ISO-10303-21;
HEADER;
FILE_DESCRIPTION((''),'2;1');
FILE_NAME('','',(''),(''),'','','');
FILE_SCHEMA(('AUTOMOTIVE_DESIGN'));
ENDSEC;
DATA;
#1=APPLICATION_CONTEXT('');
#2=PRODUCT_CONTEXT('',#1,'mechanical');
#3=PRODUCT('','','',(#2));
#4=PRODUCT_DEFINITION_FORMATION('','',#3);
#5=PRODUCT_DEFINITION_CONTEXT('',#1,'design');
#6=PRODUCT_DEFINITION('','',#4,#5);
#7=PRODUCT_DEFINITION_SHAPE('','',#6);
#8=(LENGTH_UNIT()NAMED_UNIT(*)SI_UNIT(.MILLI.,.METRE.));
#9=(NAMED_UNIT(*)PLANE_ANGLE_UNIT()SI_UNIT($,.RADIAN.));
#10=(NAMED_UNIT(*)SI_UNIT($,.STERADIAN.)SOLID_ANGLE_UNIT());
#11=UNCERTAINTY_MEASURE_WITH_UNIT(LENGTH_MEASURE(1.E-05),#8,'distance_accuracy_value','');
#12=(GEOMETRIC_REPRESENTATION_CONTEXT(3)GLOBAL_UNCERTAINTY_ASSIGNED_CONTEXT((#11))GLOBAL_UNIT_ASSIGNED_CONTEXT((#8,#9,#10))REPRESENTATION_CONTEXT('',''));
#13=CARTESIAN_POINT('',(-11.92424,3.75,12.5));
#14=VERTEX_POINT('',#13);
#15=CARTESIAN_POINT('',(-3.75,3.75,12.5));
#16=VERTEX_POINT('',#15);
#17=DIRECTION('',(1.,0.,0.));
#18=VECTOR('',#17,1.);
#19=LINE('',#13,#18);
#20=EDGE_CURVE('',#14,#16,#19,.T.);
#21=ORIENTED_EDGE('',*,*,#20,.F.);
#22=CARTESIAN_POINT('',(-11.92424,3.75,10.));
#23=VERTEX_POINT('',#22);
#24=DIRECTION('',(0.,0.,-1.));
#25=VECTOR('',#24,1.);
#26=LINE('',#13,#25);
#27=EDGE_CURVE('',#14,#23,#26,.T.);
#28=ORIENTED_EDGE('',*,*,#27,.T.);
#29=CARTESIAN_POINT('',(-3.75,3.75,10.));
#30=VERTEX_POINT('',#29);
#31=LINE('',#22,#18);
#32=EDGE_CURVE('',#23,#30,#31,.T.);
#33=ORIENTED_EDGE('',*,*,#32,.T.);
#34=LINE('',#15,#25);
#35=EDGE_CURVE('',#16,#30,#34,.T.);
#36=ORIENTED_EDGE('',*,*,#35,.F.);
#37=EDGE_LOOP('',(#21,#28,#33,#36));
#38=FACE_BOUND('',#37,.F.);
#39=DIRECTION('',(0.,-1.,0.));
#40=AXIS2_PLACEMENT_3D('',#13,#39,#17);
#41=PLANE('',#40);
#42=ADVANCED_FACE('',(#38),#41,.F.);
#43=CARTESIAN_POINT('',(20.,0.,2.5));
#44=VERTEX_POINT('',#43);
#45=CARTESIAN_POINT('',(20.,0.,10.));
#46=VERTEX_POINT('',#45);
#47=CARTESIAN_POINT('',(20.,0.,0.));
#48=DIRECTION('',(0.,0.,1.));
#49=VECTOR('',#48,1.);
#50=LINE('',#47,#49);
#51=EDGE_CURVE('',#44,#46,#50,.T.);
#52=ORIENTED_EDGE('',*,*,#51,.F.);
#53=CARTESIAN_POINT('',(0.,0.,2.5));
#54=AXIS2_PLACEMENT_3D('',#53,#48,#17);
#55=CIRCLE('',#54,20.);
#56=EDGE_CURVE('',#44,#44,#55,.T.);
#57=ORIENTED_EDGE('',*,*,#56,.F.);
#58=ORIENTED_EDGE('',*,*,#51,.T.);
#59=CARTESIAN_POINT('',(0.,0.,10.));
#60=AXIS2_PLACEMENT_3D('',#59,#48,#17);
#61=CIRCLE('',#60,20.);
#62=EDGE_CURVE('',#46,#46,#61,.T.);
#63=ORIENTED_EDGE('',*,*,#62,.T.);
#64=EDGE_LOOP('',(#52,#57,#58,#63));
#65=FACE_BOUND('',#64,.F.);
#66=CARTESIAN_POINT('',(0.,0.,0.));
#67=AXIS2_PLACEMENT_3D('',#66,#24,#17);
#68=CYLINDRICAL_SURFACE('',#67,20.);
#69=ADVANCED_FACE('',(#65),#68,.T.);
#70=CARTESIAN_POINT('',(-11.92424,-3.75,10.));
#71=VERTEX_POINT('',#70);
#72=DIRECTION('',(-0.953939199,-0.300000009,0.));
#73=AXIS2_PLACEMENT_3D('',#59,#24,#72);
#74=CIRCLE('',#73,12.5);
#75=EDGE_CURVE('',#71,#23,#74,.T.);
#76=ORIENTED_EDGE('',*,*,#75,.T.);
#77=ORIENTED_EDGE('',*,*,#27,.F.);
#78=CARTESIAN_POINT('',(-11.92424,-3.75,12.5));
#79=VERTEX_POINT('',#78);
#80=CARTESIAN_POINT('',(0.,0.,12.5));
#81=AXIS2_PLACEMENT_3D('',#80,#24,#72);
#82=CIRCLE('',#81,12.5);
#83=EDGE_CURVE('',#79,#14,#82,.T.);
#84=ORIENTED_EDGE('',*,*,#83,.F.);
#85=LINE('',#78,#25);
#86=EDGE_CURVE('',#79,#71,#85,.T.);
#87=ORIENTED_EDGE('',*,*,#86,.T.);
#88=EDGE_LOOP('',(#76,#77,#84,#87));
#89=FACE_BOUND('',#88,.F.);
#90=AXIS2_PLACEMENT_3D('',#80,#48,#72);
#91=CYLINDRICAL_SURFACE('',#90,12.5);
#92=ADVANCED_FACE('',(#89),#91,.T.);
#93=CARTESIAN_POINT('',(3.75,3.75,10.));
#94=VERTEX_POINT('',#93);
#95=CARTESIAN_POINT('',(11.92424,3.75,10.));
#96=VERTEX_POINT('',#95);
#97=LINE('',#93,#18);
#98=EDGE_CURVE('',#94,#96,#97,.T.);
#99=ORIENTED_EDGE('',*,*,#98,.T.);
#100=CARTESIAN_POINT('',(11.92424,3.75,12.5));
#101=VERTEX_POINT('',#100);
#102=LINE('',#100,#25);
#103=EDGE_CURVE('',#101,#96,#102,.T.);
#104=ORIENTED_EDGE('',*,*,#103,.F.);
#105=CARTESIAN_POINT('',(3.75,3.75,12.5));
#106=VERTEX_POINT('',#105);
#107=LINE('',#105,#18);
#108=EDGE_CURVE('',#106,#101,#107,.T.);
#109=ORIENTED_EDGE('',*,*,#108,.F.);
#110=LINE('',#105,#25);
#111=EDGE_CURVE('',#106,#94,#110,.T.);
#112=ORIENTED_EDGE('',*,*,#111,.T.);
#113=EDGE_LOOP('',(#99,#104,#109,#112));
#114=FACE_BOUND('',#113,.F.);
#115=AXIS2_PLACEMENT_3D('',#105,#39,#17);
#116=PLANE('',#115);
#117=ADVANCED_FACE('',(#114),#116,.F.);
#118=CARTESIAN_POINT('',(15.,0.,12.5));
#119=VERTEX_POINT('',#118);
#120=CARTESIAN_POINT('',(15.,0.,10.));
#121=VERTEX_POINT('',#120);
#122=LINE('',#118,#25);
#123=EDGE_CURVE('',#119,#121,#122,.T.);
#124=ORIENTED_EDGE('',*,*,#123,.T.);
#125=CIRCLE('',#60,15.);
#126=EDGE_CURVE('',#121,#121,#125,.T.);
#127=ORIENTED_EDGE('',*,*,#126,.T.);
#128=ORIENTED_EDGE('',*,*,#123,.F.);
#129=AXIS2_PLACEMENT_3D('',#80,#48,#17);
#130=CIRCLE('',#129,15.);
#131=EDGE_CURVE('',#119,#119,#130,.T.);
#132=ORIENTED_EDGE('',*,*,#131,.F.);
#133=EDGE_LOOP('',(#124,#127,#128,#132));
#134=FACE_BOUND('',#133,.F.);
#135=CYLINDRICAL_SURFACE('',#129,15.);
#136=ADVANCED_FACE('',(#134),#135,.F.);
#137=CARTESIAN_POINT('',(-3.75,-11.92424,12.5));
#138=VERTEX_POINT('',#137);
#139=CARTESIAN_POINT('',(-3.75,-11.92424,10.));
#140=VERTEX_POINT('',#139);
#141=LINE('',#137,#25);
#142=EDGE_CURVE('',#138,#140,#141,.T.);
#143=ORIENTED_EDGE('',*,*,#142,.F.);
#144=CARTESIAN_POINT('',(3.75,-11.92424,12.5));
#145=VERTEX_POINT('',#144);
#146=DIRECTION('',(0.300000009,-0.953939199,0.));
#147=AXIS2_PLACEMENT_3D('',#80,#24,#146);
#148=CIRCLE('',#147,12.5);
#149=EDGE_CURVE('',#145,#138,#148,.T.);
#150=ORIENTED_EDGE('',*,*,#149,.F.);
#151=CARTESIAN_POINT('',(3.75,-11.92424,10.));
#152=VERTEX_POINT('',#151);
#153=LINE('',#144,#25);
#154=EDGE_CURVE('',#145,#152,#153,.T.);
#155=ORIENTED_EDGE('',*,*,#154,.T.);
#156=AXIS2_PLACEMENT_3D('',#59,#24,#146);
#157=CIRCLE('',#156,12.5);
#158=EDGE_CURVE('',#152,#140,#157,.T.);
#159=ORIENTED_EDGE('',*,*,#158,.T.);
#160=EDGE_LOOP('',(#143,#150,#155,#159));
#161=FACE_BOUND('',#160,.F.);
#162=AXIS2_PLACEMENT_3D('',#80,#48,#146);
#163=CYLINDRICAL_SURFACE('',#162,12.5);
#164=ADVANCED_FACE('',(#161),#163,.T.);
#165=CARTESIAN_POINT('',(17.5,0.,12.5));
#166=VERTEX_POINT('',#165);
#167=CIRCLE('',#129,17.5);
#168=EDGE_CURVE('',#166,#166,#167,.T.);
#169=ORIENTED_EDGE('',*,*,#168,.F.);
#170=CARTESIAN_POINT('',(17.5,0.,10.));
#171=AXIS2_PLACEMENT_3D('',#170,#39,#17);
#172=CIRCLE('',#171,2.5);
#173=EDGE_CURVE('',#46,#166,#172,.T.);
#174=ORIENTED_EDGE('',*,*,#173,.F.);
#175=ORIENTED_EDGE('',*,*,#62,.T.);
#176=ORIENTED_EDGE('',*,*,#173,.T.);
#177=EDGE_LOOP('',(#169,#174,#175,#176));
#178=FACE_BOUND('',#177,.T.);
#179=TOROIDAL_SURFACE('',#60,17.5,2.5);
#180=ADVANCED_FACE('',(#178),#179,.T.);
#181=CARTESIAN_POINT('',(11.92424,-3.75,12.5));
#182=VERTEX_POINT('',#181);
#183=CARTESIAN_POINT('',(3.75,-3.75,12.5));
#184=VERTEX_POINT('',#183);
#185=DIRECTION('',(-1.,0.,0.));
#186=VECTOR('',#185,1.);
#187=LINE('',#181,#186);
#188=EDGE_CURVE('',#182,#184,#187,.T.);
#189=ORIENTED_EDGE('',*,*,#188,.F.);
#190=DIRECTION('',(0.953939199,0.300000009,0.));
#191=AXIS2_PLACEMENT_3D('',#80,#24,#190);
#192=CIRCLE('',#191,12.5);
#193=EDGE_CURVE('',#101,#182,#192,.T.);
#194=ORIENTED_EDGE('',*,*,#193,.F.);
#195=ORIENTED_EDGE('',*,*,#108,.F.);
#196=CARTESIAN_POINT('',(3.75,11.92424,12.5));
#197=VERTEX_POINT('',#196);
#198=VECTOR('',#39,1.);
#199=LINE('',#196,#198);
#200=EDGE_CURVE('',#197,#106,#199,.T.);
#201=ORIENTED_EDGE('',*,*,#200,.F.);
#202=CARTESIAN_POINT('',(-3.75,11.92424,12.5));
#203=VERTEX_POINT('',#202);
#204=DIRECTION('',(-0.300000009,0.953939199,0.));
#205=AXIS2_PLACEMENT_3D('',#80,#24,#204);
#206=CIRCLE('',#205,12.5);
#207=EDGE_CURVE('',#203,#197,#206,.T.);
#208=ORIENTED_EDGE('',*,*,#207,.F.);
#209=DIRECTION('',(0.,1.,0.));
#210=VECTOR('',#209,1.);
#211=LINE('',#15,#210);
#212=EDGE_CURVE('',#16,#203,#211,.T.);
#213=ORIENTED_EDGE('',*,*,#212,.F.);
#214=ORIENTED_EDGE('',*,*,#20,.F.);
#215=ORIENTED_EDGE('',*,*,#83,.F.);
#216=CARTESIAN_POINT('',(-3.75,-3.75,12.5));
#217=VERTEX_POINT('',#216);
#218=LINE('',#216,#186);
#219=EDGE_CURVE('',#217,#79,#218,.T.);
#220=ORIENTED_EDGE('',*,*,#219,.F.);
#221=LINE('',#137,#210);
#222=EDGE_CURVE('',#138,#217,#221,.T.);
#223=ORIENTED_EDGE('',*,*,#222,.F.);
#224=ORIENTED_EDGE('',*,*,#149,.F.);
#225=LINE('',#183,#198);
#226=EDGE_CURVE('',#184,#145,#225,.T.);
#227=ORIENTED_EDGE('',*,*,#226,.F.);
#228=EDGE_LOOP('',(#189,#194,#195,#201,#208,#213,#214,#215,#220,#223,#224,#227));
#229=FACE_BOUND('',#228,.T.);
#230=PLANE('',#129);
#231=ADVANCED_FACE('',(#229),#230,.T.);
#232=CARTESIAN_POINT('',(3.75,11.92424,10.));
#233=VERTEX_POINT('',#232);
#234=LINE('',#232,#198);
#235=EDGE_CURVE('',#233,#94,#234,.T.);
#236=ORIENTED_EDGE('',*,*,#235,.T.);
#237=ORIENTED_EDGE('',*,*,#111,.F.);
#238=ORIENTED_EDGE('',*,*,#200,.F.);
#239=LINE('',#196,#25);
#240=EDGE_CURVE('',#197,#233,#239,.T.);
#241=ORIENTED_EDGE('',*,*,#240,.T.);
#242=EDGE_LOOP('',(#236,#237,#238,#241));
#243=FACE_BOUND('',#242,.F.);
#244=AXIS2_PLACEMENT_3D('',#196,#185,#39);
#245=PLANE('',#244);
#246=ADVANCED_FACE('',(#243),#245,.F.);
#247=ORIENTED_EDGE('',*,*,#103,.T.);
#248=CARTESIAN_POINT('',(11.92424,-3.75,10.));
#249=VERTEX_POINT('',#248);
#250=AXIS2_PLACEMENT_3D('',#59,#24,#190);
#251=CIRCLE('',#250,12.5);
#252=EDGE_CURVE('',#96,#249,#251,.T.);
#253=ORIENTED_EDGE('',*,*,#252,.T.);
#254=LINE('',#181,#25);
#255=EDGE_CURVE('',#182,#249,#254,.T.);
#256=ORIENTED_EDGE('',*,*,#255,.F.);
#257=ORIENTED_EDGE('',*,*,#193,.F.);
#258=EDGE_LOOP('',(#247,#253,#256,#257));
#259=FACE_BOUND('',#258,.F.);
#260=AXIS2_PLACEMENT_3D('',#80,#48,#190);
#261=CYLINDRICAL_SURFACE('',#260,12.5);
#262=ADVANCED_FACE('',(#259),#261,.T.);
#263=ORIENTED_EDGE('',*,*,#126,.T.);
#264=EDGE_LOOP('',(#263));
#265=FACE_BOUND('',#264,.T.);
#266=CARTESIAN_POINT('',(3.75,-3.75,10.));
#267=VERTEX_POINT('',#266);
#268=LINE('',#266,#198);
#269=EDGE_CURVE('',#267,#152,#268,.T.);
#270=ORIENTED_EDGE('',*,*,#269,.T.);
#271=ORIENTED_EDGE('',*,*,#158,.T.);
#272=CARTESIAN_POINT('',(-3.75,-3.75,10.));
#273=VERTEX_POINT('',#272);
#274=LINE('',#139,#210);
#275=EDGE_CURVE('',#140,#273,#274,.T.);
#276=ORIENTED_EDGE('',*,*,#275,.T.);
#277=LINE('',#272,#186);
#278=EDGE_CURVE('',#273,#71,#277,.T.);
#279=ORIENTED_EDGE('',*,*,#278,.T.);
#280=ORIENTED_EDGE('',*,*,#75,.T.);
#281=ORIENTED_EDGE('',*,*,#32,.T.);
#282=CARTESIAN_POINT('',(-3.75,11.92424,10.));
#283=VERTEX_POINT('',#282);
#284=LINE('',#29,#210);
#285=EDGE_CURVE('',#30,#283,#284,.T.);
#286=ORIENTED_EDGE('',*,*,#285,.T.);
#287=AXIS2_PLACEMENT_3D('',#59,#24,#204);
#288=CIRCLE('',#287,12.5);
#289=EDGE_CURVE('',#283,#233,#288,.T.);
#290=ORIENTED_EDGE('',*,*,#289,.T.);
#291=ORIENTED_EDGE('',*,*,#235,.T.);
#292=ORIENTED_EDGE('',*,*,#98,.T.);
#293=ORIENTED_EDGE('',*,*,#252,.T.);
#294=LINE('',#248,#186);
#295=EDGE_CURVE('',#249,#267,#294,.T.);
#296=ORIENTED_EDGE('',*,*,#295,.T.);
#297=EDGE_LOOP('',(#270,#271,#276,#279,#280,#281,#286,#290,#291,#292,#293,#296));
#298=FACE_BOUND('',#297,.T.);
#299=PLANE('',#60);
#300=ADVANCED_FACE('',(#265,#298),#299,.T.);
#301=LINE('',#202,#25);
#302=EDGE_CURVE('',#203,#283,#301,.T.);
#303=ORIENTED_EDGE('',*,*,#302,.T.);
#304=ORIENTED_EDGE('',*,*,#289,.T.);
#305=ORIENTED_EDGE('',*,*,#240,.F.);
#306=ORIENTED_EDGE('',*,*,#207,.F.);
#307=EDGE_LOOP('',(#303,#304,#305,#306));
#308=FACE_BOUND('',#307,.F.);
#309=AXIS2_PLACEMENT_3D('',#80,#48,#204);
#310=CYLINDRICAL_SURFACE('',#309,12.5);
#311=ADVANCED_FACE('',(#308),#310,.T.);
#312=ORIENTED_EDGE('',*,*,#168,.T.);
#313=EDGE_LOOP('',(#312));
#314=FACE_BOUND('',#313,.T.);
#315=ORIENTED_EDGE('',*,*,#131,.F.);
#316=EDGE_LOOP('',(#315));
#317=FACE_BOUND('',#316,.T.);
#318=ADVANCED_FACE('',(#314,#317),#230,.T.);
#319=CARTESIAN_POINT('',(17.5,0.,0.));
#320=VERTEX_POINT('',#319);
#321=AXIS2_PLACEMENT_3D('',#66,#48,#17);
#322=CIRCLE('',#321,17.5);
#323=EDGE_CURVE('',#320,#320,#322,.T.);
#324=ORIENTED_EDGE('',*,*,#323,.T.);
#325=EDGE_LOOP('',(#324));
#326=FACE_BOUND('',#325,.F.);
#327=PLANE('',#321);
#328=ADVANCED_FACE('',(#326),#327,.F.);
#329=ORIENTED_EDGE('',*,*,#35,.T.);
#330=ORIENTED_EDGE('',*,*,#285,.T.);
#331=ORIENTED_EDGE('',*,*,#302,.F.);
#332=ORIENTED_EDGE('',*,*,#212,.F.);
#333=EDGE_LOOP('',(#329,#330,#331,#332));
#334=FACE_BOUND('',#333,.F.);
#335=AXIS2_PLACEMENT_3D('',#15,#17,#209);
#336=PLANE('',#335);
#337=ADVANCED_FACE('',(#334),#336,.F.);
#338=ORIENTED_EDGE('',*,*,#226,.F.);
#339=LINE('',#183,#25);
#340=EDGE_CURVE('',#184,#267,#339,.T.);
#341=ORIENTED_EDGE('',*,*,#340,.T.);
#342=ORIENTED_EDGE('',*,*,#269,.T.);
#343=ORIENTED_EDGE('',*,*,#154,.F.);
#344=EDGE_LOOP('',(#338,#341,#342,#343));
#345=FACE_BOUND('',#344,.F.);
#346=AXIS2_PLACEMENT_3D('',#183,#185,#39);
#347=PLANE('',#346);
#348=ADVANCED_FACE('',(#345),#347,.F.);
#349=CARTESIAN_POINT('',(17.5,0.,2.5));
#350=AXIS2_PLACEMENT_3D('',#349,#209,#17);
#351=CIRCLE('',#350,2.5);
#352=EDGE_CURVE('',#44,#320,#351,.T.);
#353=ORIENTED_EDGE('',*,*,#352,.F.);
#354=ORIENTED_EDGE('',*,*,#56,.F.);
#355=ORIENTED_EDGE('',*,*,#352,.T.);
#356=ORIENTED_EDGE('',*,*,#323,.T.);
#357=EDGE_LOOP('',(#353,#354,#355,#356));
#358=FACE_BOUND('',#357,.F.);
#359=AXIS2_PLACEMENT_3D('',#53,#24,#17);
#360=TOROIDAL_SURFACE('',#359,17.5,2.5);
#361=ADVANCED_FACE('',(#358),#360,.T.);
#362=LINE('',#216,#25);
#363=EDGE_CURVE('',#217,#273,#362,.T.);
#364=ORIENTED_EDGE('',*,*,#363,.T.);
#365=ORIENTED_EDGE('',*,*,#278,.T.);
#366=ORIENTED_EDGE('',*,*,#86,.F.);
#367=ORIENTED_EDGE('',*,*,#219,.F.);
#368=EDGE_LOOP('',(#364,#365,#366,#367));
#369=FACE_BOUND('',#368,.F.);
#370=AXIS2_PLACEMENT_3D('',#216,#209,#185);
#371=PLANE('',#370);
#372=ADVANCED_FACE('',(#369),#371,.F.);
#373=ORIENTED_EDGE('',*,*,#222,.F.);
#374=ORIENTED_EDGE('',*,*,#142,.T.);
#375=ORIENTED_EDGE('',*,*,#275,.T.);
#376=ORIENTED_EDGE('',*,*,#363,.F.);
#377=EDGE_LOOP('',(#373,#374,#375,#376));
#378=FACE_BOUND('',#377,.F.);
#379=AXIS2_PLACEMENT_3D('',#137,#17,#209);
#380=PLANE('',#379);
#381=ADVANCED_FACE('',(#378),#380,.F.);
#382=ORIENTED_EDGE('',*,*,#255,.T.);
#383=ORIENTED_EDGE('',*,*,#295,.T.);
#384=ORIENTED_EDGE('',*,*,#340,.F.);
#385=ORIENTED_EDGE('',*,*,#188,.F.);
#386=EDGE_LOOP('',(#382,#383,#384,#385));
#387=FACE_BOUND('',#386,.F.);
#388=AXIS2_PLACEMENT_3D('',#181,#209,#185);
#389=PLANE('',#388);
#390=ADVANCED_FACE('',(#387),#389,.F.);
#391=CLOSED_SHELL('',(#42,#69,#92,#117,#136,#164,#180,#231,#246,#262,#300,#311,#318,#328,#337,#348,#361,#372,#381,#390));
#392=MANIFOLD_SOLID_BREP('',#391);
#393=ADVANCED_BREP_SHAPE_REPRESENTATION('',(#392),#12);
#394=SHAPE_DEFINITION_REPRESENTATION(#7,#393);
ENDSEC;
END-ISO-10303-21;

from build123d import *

# Parameters (mm, degrees)
F0_R     = 20
F1_DEPTH = 12.5
F2_R     = 2.5
F3_R     = 2.5
F4_R     = 15
F5_DEPTH = 2.5


with BuildPart() as f1:
    # F0 (on Top) → F1 (new body)
    with BuildSketch(Plane.XY):
        Circle(F0_R)
    extrude(amount=F1_DEPTH)

    # F2
    f2_edges = [f1.edges().sort_by_distance(p)[0] for p in [
        (-20, 0, 12.5),
    ]]
    fillet(f2_edges, radius=F2_R)

    # F3
    f3_edges = [f1.edges().sort_by_distance(p)[0] for p in [
        (-20, 0, 0),
    ]]
    fillet(f3_edges, radius=F3_R)

    # F4 (on face) → F5 (cut)
    with BuildSketch(Plane.XY.offset(12.5)):
        Circle(F4_R)
        with BuildLine():
            Line((-3.75, 3.75), (-3.75, 11.92424))
            ThreePointArc((-3.75, 11.92424), (0, 12.5), (3.75, 11.92424))
            Line((3.75, 11.92424), (3.75, 3.75))
            Line((3.75, 3.75), (11.92424, 3.75))
            ThreePointArc((11.92424, 3.75), (12.5, 0), (11.92424, -3.75))
            Line((11.92424, -3.75), (3.75, -3.75))
            Line((3.75, -3.75), (3.75, -11.92424))
            ThreePointArc((3.75, -11.92424), (0, -12.5), (-3.75, -11.92424))
            Line((-3.75, -11.92424), (-3.75, -3.75))
            Line((-3.75, -3.75), (-11.92424, -3.75))
            ThreePointArc((-11.92424, -3.75), (-12.5, 0), (-11.92424, 3.75))
            Line((-11.92424, 3.75), (-3.75, 3.75))
        make_face(mode=Mode.SUBTRACT)
    extrude(amount=-F5_DEPTH, mode=Mode.SUBTRACT)


solid = f1.part
